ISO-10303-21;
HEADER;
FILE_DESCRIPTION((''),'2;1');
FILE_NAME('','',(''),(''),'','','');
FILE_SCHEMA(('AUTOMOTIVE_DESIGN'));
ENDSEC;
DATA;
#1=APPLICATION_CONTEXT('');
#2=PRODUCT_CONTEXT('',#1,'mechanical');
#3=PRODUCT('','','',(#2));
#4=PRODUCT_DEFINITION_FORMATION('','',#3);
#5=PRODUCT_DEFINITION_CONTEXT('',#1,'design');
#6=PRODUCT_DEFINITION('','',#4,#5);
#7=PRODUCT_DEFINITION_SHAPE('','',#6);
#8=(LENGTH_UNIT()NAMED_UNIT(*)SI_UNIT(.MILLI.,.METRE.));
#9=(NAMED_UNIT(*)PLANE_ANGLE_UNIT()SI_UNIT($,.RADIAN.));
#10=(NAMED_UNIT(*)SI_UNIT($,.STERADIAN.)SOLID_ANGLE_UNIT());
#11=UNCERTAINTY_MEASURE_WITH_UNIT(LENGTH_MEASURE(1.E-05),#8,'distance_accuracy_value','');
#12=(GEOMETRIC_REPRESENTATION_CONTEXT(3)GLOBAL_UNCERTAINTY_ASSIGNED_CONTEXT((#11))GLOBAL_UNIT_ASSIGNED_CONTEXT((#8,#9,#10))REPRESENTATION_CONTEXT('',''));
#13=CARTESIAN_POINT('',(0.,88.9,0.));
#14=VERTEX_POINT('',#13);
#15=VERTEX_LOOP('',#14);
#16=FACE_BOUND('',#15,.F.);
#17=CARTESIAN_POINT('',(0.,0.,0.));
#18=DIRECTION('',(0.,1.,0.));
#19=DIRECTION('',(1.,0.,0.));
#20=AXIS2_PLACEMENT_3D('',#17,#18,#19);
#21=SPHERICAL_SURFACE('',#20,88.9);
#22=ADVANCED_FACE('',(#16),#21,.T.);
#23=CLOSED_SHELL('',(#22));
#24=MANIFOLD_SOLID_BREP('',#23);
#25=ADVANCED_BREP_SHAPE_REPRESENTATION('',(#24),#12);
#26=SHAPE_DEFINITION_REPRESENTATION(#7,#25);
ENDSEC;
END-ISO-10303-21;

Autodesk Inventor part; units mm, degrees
ref_plane "YZ Plane" through (0, 0, 0) normal (1, 0, 0) x (0, 1, 0)
ref_plane "XZ Plane" through (0, 0, 0) normal (0, 1, 0) x (-1, 0, 0)
ref_plane "XY Plane" through (0, 0, 0) normal (0, 0, 1) x (1, 0, 0)
sketch "Sketch1" plane through (0, 0, 0) normal (0, 0, 1) x (1, 0, 0)
  arc A0 (0, -88.9) -> (0, 88.9) centre (0, 0) ccw
  line L0 (0, 88.9) -> (0, -88.9)
  arc A1 (0, 88.9) -> (0, -88.9) centre (0, 0) ccw
  dimension "d0" = 177.8
revolve "Revolution1" add sketch "Sketch1" angle 360 about axis through (0, 88.9, 0) along (0, -1, 0) contours L0 A0
properties part number "Ball"
